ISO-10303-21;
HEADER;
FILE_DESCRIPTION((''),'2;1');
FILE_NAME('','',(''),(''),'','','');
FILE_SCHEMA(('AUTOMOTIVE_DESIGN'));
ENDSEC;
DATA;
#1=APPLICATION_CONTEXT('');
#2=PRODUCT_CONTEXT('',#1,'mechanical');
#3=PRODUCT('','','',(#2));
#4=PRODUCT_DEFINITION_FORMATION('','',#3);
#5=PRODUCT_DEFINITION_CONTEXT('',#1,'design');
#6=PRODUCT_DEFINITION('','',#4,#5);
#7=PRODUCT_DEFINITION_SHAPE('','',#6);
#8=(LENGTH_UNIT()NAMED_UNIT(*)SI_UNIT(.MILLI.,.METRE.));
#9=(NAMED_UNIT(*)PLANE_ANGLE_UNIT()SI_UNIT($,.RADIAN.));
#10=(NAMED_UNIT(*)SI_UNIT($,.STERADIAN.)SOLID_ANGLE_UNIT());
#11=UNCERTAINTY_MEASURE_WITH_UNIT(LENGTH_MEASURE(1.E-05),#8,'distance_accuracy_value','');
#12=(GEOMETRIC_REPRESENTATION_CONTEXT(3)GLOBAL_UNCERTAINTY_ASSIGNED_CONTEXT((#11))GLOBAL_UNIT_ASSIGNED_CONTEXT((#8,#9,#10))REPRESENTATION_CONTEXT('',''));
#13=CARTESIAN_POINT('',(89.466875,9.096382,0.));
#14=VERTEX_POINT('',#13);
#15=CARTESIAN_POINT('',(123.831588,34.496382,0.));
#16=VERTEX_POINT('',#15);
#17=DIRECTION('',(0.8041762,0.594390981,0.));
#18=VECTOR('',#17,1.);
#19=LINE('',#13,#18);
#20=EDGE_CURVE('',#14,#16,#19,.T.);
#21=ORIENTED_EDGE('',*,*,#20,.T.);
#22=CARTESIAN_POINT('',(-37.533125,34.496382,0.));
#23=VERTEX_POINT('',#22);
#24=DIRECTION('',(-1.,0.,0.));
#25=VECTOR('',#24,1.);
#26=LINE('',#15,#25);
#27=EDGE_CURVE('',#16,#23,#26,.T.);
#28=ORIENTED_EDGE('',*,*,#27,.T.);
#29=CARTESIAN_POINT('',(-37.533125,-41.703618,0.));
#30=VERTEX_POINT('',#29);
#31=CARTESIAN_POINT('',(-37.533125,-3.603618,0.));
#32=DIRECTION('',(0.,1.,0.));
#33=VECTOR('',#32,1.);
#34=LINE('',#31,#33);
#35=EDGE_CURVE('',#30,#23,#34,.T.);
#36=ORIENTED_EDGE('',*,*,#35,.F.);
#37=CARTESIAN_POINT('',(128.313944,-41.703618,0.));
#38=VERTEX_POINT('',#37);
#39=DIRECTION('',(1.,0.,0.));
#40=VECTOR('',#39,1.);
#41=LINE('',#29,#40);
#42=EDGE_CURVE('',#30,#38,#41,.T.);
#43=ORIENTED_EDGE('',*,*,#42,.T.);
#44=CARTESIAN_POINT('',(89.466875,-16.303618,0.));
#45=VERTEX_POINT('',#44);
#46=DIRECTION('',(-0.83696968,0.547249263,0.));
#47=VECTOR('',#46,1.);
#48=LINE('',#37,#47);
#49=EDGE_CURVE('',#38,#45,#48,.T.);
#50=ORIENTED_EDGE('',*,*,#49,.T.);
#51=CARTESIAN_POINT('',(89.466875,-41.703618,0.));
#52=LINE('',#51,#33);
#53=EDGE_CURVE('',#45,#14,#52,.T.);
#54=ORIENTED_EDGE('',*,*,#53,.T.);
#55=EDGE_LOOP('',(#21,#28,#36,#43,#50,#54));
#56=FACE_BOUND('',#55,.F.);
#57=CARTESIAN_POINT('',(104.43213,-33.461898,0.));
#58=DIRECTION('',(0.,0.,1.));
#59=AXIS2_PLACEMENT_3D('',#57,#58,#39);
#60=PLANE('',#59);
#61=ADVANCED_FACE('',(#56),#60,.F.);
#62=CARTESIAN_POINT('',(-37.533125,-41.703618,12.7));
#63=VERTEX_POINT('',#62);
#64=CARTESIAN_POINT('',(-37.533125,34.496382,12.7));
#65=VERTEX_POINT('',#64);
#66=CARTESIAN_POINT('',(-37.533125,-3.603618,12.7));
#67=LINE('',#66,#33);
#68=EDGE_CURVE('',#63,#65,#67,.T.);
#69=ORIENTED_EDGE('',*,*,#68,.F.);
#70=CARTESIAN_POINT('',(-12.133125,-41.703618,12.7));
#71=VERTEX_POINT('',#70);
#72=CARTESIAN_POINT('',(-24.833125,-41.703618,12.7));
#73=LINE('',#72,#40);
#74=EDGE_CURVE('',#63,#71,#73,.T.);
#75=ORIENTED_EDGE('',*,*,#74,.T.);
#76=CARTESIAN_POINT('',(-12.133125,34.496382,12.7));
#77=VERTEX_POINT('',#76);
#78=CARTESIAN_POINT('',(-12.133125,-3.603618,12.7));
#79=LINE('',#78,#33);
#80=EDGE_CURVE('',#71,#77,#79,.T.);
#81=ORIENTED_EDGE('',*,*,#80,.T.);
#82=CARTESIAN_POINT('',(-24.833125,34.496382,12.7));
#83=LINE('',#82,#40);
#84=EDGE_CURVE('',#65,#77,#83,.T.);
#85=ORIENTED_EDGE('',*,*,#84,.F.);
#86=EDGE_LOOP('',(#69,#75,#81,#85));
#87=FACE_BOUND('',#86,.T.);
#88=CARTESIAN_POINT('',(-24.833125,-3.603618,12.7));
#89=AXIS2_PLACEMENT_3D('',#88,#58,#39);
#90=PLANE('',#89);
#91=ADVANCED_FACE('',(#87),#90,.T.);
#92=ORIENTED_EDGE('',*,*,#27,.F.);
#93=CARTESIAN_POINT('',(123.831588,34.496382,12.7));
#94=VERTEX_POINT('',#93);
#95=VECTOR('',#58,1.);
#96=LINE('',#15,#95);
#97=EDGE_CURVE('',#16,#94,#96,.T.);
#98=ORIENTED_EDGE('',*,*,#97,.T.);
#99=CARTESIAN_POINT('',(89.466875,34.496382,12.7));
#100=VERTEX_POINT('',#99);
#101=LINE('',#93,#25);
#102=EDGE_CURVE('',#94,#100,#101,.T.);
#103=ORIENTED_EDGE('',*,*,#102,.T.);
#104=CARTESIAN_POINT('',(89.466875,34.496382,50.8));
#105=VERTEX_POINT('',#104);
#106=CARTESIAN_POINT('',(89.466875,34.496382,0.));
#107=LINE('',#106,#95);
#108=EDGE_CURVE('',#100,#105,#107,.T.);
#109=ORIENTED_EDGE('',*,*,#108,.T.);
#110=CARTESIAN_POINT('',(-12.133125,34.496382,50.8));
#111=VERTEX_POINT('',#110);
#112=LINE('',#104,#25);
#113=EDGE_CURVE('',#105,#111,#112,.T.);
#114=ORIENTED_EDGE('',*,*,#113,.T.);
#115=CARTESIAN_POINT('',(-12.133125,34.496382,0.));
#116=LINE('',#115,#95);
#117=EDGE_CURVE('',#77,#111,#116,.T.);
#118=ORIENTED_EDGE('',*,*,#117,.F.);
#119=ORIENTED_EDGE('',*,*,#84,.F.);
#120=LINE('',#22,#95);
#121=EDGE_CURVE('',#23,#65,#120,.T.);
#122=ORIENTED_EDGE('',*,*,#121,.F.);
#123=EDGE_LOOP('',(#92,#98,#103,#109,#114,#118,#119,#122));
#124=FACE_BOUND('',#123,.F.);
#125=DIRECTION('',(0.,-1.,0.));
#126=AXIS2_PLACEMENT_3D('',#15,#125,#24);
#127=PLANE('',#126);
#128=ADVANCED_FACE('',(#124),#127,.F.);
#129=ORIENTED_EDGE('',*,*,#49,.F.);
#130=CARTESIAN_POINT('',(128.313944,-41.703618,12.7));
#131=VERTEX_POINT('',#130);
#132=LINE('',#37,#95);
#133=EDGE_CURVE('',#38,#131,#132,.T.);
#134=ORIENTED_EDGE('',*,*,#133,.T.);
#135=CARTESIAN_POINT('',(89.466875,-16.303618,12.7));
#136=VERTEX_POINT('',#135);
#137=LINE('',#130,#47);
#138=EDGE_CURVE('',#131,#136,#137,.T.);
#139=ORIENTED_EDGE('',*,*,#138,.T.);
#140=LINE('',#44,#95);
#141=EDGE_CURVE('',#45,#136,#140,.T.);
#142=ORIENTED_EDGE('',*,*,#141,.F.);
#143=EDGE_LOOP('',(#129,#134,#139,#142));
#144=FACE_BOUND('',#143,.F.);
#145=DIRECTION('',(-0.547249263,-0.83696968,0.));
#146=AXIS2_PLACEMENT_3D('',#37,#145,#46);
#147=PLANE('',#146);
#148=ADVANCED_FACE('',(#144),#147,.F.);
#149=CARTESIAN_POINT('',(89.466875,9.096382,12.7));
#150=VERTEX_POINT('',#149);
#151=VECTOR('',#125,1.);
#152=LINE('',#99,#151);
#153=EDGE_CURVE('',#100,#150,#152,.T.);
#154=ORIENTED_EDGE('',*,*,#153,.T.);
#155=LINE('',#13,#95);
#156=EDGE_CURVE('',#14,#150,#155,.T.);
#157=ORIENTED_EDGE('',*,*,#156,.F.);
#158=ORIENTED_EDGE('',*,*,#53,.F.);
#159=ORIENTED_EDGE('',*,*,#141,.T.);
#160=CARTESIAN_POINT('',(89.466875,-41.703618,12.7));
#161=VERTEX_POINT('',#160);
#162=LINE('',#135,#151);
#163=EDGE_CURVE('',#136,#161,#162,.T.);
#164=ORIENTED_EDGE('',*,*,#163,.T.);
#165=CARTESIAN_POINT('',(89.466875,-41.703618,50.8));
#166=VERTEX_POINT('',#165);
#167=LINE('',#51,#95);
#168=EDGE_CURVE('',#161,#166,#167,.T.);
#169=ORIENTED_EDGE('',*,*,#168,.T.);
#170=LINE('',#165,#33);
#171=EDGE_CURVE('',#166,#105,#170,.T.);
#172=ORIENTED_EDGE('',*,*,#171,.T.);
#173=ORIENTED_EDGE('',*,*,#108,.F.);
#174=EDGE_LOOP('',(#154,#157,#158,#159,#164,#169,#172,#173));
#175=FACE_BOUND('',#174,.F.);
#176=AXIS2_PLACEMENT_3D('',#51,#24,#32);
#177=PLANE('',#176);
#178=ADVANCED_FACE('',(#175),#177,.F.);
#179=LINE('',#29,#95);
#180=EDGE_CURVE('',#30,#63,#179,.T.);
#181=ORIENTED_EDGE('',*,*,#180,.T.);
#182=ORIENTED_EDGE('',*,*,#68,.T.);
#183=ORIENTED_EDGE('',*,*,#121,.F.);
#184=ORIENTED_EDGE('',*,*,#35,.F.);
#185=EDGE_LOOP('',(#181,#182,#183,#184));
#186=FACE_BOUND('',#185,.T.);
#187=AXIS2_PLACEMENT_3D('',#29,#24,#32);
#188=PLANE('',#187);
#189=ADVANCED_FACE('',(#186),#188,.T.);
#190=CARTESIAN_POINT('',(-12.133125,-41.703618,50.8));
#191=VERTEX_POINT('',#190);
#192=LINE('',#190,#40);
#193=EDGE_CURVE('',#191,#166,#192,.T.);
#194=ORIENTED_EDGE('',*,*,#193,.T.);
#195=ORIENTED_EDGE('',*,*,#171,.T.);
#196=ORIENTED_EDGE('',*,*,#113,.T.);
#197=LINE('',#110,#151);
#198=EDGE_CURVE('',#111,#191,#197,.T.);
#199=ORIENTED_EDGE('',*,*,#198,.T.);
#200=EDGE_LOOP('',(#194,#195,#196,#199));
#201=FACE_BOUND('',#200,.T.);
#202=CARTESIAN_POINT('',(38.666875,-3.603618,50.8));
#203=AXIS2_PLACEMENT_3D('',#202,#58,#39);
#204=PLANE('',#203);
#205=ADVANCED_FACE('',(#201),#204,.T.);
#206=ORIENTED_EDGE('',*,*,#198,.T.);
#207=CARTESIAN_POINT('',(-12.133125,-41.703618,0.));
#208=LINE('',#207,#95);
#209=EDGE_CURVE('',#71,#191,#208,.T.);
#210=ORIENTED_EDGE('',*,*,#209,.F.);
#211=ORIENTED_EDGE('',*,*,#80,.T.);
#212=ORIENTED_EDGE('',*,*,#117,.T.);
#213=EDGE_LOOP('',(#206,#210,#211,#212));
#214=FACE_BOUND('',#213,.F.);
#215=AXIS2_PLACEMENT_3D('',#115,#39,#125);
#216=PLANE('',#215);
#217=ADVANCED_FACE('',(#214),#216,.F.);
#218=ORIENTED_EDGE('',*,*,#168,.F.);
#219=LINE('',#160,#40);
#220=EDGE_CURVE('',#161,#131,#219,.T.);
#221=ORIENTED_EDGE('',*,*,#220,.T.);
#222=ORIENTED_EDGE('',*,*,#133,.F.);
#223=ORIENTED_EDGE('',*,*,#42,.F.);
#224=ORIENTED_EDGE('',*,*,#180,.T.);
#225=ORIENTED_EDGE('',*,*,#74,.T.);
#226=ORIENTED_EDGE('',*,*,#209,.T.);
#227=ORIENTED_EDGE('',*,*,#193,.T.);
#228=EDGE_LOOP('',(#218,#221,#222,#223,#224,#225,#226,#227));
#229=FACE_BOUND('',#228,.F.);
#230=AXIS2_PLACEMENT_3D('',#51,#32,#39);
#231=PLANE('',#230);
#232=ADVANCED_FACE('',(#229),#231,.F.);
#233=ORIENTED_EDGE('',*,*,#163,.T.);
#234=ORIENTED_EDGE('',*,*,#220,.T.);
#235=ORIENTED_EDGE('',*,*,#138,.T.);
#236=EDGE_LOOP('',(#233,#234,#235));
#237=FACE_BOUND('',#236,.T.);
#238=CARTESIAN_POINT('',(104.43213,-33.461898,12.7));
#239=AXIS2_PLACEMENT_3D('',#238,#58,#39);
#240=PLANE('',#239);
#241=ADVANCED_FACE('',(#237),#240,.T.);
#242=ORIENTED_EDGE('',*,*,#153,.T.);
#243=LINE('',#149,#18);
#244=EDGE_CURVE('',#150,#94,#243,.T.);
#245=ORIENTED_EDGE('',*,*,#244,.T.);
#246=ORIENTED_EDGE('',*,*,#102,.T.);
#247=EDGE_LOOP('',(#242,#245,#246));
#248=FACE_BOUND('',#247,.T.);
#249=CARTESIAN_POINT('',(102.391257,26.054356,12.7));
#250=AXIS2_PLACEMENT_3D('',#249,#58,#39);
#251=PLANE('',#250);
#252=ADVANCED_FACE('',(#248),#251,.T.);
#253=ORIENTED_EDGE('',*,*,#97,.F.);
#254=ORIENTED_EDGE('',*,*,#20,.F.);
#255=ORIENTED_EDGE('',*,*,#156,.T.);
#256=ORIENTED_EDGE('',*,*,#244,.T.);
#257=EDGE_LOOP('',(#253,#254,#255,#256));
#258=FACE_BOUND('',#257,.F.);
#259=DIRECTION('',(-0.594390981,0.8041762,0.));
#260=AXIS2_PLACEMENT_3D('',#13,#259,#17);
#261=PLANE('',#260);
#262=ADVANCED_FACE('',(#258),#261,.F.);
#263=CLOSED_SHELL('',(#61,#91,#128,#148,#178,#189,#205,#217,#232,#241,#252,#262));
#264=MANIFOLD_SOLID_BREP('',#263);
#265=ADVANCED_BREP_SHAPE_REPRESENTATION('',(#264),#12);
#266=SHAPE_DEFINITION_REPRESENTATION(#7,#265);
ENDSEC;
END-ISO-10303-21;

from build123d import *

# Parameters (mm, degrees)
F0_W     = 25.4
F0_H     = 76.2
F1_DEPTH = 12.7
F2_DEPTH = 50.8
F3_DEPTH = 12.7
F4_DEPTH = 12.7


with BuildPart() as f1:
    # F0 (on Top) → F1 (new body)
    with BuildSketch(Plane.XY):
        with Locations((-24.833125, -3.603618)):
            Rectangle(F0_W, F0_H)
    extrude(amount=F1_DEPTH)

    # F0 (on Top) → F2 (join)
    with BuildSketch(Plane.XY):
        Polygon((89.466875, 34.496382), (-12.133125, 34.496382), (-12.133125, -41.703618), (89.466875, -41.703618), (89.466875, -16.303618), (89.466875, 9.096382), align=None)
    extrude(amount=F2_DEPTH)

    # F0 (on Top) → F3 (join)
    with BuildSketch(Plane.XY):
        Polygon((123.831588, 34.496382), (89.466875, 34.496382), (89.466875, 9.096382), align=None)
    extrude(amount=F3_DEPTH)

    # F0 (on Top) → F4 (join)
    with BuildSketch(Plane.XY):
        Polygon((89.466875, -16.303618), (89.466875, -41.703618), (128.313944, -41.703618), align=None)
    extrude(amount=F4_DEPTH)


solid = f1.part
